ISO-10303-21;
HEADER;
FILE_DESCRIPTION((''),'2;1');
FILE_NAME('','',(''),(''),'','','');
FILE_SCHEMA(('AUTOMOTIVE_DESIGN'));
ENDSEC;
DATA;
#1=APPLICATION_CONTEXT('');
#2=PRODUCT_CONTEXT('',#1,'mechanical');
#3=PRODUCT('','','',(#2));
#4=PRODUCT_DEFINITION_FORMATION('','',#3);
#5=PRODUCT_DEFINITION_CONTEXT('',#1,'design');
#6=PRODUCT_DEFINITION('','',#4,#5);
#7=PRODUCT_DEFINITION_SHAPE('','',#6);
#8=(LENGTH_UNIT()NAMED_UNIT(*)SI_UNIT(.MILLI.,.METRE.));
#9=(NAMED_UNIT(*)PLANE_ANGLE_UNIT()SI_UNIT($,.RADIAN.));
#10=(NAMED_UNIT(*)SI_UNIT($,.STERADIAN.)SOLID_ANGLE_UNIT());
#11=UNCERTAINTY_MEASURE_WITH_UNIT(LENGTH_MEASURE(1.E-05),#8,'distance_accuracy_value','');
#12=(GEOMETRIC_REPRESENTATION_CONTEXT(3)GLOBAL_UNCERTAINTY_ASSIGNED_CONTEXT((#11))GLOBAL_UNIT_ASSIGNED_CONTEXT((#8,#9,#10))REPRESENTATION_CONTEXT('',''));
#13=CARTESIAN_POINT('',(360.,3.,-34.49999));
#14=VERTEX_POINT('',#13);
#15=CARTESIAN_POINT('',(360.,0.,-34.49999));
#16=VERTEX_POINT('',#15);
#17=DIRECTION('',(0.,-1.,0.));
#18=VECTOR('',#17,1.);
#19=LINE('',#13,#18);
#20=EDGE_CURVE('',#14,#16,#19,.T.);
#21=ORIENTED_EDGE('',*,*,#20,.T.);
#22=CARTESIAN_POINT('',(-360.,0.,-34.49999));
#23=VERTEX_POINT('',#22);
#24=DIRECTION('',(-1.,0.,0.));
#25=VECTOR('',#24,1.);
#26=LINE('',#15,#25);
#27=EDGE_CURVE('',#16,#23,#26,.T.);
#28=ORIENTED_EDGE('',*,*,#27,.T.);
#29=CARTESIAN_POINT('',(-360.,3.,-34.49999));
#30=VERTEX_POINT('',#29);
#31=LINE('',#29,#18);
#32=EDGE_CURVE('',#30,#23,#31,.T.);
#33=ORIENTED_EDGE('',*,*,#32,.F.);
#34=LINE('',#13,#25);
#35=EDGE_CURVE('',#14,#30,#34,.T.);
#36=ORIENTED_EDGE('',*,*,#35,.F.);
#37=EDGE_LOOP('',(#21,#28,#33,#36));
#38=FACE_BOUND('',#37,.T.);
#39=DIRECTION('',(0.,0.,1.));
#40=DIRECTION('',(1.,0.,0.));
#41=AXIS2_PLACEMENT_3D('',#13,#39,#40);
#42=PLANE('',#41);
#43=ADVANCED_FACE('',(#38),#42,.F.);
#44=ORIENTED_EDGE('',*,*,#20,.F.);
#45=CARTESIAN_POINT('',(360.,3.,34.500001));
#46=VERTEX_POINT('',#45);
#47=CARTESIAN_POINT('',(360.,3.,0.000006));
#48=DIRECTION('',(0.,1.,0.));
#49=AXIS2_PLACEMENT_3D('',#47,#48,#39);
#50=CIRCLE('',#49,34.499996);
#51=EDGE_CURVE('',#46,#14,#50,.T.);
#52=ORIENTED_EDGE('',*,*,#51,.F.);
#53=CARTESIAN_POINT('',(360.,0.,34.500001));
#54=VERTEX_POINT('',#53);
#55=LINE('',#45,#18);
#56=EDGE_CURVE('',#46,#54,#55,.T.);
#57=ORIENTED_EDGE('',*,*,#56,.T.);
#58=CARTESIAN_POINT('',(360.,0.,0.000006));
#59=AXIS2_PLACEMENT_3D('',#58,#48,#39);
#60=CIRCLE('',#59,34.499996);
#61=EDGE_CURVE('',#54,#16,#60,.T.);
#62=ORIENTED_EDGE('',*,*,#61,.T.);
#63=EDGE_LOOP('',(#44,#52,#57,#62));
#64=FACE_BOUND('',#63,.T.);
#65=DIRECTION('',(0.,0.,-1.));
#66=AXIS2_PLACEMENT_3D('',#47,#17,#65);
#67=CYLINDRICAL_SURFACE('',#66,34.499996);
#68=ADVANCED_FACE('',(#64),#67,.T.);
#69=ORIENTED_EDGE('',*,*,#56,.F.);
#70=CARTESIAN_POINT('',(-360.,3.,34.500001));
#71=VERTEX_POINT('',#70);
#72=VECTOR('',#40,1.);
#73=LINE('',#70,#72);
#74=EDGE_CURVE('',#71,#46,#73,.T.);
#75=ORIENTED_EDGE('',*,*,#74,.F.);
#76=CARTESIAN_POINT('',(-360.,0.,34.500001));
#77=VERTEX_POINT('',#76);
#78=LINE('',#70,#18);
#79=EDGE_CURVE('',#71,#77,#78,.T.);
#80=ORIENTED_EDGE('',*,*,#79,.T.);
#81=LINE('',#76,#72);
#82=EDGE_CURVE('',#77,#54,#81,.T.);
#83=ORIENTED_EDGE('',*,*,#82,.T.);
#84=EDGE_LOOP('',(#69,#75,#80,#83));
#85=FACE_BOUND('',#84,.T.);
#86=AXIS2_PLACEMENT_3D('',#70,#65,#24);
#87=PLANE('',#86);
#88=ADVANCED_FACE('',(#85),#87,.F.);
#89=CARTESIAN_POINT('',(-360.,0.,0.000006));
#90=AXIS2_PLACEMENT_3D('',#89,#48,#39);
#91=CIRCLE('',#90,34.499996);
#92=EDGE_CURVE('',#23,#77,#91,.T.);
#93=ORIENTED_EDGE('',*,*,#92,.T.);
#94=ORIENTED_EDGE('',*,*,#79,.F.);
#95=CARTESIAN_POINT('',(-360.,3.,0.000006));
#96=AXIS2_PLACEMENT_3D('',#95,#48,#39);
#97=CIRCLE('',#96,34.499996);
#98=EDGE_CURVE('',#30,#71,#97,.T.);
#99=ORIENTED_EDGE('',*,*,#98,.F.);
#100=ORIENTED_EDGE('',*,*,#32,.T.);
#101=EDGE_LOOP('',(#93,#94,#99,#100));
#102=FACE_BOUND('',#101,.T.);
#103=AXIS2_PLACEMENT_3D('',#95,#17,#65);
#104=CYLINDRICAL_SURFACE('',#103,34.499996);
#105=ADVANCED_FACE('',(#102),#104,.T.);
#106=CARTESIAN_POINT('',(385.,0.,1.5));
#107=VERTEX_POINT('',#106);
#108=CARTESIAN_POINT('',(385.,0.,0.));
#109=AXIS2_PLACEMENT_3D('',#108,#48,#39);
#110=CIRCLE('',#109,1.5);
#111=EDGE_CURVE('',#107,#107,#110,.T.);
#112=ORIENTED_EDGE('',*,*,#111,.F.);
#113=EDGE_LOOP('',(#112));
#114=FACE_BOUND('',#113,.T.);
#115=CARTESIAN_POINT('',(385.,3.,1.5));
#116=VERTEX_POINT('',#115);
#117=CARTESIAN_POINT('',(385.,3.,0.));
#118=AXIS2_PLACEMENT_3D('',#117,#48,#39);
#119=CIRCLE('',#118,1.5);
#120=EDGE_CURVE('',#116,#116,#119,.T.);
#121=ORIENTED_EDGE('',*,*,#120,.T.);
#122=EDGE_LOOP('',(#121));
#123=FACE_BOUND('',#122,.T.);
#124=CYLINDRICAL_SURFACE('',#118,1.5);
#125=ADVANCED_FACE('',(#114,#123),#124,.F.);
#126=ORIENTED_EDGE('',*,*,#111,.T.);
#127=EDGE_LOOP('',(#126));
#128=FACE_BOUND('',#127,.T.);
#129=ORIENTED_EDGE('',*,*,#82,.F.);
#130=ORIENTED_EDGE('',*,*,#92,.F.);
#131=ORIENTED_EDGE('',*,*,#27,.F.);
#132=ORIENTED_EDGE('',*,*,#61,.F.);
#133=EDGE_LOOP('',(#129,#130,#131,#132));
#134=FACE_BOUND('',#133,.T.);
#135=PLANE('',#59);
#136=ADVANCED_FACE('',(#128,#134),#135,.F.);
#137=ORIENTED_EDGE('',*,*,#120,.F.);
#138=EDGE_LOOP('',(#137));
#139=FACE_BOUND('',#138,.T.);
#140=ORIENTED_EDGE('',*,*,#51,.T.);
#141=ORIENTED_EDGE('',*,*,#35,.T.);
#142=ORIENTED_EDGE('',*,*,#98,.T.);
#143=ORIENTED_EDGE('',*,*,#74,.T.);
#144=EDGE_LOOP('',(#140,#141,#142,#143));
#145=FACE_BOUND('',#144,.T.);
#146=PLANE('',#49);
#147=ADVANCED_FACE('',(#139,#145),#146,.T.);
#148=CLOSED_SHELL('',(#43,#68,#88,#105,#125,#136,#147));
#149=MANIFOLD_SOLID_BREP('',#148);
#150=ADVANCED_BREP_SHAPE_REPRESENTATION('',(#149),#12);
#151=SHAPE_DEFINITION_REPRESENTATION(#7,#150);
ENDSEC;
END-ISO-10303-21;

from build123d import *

# Parameters (mm, degrees)
BOSS_EXTRUDE1_DEPTH   = 3
F_3_0MM_DOWEL_HOLE1_D = 3


with BuildPart() as part:
    # Sketch1 → Boss-Extrude1 (new body)
    with BuildSketch(Plane(origin=(0, 0, 0), x_dir=(-1, 0, 0), z_dir=(0, 1, 0))):
        with BuildLine():
            Line((-360, -34.499989605), (360.00000001, -34.499989605))
            ThreePointArc((360.00000001, -34.499989605), (394.499995555, 5.94e-06), (360.00000001, 34.500001485))
            Line((360.00000001, 34.500001485), (-360, 34.500001485))
            ThreePointArc((-360, 34.500001485), (-394.499995545, 5.94e-06), (-360, -34.499989605))
        make_face()
    extrude(amount=BOSS_EXTRUDE1_DEPTH)

    # Ø3.0mm Dowel Hole1 (through all)
    with Locations(Plane(origin=(0, 3, 0), x_dir=(1, 0, 0), z_dir=(0, 1, 0))):
        with Locations((385.000000048, 0)):
            Hole(F_3_0MM_DOWEL_HOLE1_D / 2)


solid = part.part
